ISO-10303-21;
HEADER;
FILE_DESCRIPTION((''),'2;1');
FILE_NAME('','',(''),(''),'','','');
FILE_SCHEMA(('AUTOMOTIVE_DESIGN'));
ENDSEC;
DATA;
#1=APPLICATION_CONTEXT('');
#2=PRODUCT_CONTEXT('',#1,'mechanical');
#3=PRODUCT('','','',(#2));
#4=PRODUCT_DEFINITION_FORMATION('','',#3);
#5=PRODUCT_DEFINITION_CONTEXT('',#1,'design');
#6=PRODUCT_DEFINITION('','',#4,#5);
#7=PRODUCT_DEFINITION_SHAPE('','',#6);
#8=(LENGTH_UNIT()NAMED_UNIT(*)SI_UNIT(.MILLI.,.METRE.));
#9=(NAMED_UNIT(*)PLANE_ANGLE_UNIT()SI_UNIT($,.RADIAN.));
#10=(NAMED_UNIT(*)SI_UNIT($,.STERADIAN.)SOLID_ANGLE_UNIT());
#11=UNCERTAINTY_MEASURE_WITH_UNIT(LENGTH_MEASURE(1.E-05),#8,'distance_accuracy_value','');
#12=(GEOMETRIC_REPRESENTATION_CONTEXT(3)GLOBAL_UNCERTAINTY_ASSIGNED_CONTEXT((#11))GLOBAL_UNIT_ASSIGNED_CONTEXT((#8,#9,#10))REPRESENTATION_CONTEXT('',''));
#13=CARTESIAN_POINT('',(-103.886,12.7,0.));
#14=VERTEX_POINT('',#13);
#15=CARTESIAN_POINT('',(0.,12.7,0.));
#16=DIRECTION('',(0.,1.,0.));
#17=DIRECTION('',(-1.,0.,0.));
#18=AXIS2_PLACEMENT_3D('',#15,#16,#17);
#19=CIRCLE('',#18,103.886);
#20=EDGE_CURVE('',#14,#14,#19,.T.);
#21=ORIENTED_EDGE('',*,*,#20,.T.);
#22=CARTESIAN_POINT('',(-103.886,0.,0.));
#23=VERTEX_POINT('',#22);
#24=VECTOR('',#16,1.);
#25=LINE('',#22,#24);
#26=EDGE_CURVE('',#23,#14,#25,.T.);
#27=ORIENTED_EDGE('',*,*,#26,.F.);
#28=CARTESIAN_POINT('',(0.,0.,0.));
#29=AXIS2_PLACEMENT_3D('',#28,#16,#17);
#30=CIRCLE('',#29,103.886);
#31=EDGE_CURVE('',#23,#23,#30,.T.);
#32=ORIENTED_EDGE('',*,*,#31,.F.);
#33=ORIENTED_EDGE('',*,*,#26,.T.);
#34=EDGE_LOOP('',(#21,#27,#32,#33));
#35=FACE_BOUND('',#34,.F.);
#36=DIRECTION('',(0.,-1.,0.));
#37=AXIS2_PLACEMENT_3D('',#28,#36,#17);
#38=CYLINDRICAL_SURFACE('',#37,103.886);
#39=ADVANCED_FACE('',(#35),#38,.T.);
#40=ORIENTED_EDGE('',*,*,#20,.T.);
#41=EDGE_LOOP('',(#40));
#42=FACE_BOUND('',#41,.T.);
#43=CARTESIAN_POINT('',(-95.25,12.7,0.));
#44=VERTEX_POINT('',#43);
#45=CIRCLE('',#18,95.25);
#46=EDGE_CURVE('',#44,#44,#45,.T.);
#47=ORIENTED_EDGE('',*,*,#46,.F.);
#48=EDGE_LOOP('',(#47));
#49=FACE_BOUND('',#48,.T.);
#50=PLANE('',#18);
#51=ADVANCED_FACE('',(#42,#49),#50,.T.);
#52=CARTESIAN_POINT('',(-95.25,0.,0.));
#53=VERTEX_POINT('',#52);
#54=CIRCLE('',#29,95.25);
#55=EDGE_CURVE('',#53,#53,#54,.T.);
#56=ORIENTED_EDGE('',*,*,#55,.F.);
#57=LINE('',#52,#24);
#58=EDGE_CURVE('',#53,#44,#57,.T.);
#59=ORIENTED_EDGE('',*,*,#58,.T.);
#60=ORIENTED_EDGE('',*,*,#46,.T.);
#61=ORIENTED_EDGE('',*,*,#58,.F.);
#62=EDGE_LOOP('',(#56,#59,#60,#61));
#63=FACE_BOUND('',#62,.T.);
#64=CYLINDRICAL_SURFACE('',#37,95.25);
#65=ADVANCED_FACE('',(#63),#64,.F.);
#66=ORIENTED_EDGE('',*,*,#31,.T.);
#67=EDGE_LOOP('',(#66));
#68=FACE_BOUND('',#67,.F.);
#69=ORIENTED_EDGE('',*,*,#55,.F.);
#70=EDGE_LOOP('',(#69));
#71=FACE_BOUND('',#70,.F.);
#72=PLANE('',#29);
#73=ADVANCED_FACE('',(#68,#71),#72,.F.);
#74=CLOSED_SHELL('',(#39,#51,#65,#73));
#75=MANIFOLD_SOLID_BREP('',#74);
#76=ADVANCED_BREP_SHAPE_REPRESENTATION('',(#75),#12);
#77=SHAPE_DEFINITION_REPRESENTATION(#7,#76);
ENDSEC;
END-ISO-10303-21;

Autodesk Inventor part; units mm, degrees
ref_plane "YZ Plane" through (0, 0, 0) normal (1, 0, 0) x (0, 1, 0)
ref_plane "XZ Plane" through (0, 0, 0) normal (0, 1, 0) x (-1, 0, 0)
ref_plane "XY Plane" through (0, 0, 0) normal (0, 0, 1) x (1, 0, 0)
sketch "Sketch1" plane through (0, 0, 0) normal (0, 1, 0) x (-1, 0, 0)
  circle A0 centre (0, 0) radius 103.886
  circle A1 centre (0, 0) radius 95.25
  dimension "d0" = 207.772
  dimension "d1" = 190.5
extrude "Extrusion1" add sketch "Sketch1" along normal blind 12.7
properties part number "4K sheild rim2" material "Brass, Soft Yellow"
